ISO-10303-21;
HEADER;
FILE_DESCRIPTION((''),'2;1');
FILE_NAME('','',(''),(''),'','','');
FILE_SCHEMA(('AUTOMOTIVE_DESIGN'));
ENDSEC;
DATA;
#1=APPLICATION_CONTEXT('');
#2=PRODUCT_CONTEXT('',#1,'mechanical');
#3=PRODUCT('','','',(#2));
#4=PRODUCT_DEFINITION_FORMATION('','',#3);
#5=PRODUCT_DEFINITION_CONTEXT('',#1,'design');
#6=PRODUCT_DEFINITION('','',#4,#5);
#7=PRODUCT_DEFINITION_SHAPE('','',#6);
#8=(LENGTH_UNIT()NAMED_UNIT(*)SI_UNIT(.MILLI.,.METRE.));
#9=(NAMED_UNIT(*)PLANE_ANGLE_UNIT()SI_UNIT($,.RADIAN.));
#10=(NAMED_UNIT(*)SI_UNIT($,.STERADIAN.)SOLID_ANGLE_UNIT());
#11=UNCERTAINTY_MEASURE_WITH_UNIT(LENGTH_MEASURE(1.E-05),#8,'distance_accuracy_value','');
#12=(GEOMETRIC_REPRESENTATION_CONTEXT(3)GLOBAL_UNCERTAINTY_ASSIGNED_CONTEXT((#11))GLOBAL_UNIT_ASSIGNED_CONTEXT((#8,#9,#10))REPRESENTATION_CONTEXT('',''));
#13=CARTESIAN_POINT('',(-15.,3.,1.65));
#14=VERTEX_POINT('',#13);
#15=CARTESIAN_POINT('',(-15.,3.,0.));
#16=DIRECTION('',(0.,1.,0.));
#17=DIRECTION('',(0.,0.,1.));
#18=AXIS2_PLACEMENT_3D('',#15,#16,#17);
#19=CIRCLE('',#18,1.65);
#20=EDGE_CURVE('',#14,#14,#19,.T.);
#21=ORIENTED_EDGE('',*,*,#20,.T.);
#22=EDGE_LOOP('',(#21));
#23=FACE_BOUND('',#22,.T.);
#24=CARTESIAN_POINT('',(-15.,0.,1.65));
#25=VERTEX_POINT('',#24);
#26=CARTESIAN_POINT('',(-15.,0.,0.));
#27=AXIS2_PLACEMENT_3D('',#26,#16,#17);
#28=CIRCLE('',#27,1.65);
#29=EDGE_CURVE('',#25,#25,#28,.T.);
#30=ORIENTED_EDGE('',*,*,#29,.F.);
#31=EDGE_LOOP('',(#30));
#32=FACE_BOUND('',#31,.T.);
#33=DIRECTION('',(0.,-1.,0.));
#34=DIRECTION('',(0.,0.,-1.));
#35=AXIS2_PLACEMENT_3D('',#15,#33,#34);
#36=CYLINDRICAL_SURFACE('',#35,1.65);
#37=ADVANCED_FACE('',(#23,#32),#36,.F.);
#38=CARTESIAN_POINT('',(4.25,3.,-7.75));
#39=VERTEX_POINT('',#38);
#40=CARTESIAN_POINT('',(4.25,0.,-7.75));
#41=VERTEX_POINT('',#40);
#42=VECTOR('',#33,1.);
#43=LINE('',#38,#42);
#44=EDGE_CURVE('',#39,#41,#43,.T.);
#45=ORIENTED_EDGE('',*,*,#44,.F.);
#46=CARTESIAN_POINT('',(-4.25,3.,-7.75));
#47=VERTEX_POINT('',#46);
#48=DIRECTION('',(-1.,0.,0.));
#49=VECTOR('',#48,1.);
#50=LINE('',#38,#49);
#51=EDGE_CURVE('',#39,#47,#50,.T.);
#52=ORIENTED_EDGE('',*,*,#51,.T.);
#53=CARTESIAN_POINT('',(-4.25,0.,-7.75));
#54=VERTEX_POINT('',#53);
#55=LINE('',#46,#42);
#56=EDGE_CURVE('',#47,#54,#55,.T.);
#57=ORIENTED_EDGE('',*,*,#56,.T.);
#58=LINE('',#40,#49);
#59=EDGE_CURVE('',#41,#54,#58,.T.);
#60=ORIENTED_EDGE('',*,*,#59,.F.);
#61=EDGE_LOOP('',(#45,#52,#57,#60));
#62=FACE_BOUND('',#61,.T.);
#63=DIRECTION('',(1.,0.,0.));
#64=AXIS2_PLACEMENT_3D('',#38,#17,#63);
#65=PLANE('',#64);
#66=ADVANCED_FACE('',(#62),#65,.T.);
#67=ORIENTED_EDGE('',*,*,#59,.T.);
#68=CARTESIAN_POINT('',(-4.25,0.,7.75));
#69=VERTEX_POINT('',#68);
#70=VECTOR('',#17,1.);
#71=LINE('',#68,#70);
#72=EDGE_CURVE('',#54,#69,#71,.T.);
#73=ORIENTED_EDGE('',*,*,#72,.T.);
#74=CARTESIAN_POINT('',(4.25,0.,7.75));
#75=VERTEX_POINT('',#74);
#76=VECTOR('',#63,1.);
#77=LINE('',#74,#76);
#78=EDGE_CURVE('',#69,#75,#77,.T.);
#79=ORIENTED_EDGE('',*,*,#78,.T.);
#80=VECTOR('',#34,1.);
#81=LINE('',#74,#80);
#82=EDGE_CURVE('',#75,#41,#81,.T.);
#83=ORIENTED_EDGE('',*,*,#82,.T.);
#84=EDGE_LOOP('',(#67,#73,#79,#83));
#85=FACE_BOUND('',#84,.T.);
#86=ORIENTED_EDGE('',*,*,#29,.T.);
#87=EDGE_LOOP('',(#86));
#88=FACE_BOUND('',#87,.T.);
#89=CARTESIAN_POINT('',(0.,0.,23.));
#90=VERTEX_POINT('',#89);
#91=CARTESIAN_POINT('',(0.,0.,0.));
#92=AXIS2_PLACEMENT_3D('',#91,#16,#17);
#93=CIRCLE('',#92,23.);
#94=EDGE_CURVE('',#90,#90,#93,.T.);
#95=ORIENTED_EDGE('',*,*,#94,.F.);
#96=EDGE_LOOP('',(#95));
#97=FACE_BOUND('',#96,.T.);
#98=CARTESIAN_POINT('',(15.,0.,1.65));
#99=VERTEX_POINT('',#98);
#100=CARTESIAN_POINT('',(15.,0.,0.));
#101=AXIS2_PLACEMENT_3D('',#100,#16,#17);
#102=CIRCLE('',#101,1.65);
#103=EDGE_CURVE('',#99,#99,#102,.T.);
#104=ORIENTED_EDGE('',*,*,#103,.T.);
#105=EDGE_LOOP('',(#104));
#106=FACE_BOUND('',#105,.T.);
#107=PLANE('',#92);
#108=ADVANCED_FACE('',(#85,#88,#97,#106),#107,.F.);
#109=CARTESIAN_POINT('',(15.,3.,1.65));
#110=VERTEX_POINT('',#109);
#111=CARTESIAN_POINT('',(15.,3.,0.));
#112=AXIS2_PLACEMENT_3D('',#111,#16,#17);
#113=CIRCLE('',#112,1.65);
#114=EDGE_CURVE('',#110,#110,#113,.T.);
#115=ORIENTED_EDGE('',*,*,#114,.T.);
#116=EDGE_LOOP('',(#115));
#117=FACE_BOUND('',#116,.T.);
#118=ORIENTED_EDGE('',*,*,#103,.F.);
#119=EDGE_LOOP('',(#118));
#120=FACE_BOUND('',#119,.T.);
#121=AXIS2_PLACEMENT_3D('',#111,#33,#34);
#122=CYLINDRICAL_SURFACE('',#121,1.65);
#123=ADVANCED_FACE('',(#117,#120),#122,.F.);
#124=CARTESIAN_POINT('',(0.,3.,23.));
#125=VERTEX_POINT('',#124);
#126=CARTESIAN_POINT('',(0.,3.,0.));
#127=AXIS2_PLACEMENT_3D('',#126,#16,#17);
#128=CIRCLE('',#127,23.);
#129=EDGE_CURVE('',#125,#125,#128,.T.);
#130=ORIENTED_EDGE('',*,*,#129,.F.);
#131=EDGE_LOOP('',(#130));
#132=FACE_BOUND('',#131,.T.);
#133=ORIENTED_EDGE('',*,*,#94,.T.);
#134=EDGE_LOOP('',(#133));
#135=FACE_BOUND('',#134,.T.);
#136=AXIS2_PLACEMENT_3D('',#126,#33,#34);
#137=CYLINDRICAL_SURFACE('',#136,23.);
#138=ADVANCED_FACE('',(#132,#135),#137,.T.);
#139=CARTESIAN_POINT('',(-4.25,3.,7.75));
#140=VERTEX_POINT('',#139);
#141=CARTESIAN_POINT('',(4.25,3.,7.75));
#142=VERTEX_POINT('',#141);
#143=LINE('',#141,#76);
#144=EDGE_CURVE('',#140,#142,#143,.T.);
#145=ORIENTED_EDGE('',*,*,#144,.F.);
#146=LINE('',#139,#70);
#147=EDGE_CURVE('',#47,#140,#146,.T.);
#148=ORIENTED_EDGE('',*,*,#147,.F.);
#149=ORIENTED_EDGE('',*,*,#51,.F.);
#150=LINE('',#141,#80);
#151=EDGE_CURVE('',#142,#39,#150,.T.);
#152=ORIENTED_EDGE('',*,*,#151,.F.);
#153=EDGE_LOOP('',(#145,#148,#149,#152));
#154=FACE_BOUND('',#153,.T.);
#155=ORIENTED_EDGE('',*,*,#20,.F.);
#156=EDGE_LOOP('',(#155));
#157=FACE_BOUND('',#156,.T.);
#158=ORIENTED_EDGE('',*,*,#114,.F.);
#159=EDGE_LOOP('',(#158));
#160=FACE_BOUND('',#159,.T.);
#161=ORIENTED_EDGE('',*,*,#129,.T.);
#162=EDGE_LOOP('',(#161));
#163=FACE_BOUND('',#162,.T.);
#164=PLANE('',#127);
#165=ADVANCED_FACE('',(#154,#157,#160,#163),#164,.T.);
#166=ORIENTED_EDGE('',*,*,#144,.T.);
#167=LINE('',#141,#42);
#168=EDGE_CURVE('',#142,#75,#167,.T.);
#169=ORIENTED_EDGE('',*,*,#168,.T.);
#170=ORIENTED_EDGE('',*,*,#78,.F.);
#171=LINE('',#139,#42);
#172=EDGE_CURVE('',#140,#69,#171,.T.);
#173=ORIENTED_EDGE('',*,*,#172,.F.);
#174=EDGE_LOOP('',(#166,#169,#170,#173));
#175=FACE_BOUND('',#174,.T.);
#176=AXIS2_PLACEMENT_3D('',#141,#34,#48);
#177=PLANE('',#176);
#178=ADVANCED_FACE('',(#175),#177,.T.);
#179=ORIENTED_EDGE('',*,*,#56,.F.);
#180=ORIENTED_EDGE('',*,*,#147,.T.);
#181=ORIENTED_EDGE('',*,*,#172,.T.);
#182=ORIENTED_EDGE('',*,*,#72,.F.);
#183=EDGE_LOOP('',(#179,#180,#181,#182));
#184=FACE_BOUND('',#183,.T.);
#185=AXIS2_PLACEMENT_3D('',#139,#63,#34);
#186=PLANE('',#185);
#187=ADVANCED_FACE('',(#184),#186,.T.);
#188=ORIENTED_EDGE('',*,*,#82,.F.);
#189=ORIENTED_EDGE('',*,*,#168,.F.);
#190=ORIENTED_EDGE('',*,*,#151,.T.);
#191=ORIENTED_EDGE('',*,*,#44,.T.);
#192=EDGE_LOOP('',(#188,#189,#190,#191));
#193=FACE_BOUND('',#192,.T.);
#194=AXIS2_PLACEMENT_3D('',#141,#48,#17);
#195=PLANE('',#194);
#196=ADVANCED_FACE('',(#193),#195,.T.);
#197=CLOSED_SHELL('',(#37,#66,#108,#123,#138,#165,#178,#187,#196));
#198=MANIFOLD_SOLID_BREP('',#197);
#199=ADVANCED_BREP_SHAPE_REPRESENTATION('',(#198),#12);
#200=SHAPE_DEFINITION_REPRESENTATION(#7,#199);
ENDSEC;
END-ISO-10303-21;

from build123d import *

# Parameters (mm, degrees)
SKETCH1_R           = 23
SKETCH1_R_2         = 1.65
SKETCH1_W           = 8.5
SKETCH1_H           = 15.5
BOSS_EXTRUDE1_DEPTH = 3


with BuildPart() as part:
    # Sketch1 → Boss-Extrude1 (new body)
    with BuildSketch(Plane(origin=(0, 0, 0), x_dir=(1, 0, 0), z_dir=(0, 1, 0))):
        Circle(SKETCH1_R)
        with Locations((-15, 0)):
            Circle(SKETCH1_R_2, mode=Mode.SUBTRACT)
        with Locations((15, 0)):
            Circle(SKETCH1_R_2, mode=Mode.SUBTRACT)
        Rectangle(SKETCH1_W, SKETCH1_H, mode=Mode.SUBTRACT)
    extrude(amount=BOSS_EXTRUDE1_DEPTH)


solid = part.part
